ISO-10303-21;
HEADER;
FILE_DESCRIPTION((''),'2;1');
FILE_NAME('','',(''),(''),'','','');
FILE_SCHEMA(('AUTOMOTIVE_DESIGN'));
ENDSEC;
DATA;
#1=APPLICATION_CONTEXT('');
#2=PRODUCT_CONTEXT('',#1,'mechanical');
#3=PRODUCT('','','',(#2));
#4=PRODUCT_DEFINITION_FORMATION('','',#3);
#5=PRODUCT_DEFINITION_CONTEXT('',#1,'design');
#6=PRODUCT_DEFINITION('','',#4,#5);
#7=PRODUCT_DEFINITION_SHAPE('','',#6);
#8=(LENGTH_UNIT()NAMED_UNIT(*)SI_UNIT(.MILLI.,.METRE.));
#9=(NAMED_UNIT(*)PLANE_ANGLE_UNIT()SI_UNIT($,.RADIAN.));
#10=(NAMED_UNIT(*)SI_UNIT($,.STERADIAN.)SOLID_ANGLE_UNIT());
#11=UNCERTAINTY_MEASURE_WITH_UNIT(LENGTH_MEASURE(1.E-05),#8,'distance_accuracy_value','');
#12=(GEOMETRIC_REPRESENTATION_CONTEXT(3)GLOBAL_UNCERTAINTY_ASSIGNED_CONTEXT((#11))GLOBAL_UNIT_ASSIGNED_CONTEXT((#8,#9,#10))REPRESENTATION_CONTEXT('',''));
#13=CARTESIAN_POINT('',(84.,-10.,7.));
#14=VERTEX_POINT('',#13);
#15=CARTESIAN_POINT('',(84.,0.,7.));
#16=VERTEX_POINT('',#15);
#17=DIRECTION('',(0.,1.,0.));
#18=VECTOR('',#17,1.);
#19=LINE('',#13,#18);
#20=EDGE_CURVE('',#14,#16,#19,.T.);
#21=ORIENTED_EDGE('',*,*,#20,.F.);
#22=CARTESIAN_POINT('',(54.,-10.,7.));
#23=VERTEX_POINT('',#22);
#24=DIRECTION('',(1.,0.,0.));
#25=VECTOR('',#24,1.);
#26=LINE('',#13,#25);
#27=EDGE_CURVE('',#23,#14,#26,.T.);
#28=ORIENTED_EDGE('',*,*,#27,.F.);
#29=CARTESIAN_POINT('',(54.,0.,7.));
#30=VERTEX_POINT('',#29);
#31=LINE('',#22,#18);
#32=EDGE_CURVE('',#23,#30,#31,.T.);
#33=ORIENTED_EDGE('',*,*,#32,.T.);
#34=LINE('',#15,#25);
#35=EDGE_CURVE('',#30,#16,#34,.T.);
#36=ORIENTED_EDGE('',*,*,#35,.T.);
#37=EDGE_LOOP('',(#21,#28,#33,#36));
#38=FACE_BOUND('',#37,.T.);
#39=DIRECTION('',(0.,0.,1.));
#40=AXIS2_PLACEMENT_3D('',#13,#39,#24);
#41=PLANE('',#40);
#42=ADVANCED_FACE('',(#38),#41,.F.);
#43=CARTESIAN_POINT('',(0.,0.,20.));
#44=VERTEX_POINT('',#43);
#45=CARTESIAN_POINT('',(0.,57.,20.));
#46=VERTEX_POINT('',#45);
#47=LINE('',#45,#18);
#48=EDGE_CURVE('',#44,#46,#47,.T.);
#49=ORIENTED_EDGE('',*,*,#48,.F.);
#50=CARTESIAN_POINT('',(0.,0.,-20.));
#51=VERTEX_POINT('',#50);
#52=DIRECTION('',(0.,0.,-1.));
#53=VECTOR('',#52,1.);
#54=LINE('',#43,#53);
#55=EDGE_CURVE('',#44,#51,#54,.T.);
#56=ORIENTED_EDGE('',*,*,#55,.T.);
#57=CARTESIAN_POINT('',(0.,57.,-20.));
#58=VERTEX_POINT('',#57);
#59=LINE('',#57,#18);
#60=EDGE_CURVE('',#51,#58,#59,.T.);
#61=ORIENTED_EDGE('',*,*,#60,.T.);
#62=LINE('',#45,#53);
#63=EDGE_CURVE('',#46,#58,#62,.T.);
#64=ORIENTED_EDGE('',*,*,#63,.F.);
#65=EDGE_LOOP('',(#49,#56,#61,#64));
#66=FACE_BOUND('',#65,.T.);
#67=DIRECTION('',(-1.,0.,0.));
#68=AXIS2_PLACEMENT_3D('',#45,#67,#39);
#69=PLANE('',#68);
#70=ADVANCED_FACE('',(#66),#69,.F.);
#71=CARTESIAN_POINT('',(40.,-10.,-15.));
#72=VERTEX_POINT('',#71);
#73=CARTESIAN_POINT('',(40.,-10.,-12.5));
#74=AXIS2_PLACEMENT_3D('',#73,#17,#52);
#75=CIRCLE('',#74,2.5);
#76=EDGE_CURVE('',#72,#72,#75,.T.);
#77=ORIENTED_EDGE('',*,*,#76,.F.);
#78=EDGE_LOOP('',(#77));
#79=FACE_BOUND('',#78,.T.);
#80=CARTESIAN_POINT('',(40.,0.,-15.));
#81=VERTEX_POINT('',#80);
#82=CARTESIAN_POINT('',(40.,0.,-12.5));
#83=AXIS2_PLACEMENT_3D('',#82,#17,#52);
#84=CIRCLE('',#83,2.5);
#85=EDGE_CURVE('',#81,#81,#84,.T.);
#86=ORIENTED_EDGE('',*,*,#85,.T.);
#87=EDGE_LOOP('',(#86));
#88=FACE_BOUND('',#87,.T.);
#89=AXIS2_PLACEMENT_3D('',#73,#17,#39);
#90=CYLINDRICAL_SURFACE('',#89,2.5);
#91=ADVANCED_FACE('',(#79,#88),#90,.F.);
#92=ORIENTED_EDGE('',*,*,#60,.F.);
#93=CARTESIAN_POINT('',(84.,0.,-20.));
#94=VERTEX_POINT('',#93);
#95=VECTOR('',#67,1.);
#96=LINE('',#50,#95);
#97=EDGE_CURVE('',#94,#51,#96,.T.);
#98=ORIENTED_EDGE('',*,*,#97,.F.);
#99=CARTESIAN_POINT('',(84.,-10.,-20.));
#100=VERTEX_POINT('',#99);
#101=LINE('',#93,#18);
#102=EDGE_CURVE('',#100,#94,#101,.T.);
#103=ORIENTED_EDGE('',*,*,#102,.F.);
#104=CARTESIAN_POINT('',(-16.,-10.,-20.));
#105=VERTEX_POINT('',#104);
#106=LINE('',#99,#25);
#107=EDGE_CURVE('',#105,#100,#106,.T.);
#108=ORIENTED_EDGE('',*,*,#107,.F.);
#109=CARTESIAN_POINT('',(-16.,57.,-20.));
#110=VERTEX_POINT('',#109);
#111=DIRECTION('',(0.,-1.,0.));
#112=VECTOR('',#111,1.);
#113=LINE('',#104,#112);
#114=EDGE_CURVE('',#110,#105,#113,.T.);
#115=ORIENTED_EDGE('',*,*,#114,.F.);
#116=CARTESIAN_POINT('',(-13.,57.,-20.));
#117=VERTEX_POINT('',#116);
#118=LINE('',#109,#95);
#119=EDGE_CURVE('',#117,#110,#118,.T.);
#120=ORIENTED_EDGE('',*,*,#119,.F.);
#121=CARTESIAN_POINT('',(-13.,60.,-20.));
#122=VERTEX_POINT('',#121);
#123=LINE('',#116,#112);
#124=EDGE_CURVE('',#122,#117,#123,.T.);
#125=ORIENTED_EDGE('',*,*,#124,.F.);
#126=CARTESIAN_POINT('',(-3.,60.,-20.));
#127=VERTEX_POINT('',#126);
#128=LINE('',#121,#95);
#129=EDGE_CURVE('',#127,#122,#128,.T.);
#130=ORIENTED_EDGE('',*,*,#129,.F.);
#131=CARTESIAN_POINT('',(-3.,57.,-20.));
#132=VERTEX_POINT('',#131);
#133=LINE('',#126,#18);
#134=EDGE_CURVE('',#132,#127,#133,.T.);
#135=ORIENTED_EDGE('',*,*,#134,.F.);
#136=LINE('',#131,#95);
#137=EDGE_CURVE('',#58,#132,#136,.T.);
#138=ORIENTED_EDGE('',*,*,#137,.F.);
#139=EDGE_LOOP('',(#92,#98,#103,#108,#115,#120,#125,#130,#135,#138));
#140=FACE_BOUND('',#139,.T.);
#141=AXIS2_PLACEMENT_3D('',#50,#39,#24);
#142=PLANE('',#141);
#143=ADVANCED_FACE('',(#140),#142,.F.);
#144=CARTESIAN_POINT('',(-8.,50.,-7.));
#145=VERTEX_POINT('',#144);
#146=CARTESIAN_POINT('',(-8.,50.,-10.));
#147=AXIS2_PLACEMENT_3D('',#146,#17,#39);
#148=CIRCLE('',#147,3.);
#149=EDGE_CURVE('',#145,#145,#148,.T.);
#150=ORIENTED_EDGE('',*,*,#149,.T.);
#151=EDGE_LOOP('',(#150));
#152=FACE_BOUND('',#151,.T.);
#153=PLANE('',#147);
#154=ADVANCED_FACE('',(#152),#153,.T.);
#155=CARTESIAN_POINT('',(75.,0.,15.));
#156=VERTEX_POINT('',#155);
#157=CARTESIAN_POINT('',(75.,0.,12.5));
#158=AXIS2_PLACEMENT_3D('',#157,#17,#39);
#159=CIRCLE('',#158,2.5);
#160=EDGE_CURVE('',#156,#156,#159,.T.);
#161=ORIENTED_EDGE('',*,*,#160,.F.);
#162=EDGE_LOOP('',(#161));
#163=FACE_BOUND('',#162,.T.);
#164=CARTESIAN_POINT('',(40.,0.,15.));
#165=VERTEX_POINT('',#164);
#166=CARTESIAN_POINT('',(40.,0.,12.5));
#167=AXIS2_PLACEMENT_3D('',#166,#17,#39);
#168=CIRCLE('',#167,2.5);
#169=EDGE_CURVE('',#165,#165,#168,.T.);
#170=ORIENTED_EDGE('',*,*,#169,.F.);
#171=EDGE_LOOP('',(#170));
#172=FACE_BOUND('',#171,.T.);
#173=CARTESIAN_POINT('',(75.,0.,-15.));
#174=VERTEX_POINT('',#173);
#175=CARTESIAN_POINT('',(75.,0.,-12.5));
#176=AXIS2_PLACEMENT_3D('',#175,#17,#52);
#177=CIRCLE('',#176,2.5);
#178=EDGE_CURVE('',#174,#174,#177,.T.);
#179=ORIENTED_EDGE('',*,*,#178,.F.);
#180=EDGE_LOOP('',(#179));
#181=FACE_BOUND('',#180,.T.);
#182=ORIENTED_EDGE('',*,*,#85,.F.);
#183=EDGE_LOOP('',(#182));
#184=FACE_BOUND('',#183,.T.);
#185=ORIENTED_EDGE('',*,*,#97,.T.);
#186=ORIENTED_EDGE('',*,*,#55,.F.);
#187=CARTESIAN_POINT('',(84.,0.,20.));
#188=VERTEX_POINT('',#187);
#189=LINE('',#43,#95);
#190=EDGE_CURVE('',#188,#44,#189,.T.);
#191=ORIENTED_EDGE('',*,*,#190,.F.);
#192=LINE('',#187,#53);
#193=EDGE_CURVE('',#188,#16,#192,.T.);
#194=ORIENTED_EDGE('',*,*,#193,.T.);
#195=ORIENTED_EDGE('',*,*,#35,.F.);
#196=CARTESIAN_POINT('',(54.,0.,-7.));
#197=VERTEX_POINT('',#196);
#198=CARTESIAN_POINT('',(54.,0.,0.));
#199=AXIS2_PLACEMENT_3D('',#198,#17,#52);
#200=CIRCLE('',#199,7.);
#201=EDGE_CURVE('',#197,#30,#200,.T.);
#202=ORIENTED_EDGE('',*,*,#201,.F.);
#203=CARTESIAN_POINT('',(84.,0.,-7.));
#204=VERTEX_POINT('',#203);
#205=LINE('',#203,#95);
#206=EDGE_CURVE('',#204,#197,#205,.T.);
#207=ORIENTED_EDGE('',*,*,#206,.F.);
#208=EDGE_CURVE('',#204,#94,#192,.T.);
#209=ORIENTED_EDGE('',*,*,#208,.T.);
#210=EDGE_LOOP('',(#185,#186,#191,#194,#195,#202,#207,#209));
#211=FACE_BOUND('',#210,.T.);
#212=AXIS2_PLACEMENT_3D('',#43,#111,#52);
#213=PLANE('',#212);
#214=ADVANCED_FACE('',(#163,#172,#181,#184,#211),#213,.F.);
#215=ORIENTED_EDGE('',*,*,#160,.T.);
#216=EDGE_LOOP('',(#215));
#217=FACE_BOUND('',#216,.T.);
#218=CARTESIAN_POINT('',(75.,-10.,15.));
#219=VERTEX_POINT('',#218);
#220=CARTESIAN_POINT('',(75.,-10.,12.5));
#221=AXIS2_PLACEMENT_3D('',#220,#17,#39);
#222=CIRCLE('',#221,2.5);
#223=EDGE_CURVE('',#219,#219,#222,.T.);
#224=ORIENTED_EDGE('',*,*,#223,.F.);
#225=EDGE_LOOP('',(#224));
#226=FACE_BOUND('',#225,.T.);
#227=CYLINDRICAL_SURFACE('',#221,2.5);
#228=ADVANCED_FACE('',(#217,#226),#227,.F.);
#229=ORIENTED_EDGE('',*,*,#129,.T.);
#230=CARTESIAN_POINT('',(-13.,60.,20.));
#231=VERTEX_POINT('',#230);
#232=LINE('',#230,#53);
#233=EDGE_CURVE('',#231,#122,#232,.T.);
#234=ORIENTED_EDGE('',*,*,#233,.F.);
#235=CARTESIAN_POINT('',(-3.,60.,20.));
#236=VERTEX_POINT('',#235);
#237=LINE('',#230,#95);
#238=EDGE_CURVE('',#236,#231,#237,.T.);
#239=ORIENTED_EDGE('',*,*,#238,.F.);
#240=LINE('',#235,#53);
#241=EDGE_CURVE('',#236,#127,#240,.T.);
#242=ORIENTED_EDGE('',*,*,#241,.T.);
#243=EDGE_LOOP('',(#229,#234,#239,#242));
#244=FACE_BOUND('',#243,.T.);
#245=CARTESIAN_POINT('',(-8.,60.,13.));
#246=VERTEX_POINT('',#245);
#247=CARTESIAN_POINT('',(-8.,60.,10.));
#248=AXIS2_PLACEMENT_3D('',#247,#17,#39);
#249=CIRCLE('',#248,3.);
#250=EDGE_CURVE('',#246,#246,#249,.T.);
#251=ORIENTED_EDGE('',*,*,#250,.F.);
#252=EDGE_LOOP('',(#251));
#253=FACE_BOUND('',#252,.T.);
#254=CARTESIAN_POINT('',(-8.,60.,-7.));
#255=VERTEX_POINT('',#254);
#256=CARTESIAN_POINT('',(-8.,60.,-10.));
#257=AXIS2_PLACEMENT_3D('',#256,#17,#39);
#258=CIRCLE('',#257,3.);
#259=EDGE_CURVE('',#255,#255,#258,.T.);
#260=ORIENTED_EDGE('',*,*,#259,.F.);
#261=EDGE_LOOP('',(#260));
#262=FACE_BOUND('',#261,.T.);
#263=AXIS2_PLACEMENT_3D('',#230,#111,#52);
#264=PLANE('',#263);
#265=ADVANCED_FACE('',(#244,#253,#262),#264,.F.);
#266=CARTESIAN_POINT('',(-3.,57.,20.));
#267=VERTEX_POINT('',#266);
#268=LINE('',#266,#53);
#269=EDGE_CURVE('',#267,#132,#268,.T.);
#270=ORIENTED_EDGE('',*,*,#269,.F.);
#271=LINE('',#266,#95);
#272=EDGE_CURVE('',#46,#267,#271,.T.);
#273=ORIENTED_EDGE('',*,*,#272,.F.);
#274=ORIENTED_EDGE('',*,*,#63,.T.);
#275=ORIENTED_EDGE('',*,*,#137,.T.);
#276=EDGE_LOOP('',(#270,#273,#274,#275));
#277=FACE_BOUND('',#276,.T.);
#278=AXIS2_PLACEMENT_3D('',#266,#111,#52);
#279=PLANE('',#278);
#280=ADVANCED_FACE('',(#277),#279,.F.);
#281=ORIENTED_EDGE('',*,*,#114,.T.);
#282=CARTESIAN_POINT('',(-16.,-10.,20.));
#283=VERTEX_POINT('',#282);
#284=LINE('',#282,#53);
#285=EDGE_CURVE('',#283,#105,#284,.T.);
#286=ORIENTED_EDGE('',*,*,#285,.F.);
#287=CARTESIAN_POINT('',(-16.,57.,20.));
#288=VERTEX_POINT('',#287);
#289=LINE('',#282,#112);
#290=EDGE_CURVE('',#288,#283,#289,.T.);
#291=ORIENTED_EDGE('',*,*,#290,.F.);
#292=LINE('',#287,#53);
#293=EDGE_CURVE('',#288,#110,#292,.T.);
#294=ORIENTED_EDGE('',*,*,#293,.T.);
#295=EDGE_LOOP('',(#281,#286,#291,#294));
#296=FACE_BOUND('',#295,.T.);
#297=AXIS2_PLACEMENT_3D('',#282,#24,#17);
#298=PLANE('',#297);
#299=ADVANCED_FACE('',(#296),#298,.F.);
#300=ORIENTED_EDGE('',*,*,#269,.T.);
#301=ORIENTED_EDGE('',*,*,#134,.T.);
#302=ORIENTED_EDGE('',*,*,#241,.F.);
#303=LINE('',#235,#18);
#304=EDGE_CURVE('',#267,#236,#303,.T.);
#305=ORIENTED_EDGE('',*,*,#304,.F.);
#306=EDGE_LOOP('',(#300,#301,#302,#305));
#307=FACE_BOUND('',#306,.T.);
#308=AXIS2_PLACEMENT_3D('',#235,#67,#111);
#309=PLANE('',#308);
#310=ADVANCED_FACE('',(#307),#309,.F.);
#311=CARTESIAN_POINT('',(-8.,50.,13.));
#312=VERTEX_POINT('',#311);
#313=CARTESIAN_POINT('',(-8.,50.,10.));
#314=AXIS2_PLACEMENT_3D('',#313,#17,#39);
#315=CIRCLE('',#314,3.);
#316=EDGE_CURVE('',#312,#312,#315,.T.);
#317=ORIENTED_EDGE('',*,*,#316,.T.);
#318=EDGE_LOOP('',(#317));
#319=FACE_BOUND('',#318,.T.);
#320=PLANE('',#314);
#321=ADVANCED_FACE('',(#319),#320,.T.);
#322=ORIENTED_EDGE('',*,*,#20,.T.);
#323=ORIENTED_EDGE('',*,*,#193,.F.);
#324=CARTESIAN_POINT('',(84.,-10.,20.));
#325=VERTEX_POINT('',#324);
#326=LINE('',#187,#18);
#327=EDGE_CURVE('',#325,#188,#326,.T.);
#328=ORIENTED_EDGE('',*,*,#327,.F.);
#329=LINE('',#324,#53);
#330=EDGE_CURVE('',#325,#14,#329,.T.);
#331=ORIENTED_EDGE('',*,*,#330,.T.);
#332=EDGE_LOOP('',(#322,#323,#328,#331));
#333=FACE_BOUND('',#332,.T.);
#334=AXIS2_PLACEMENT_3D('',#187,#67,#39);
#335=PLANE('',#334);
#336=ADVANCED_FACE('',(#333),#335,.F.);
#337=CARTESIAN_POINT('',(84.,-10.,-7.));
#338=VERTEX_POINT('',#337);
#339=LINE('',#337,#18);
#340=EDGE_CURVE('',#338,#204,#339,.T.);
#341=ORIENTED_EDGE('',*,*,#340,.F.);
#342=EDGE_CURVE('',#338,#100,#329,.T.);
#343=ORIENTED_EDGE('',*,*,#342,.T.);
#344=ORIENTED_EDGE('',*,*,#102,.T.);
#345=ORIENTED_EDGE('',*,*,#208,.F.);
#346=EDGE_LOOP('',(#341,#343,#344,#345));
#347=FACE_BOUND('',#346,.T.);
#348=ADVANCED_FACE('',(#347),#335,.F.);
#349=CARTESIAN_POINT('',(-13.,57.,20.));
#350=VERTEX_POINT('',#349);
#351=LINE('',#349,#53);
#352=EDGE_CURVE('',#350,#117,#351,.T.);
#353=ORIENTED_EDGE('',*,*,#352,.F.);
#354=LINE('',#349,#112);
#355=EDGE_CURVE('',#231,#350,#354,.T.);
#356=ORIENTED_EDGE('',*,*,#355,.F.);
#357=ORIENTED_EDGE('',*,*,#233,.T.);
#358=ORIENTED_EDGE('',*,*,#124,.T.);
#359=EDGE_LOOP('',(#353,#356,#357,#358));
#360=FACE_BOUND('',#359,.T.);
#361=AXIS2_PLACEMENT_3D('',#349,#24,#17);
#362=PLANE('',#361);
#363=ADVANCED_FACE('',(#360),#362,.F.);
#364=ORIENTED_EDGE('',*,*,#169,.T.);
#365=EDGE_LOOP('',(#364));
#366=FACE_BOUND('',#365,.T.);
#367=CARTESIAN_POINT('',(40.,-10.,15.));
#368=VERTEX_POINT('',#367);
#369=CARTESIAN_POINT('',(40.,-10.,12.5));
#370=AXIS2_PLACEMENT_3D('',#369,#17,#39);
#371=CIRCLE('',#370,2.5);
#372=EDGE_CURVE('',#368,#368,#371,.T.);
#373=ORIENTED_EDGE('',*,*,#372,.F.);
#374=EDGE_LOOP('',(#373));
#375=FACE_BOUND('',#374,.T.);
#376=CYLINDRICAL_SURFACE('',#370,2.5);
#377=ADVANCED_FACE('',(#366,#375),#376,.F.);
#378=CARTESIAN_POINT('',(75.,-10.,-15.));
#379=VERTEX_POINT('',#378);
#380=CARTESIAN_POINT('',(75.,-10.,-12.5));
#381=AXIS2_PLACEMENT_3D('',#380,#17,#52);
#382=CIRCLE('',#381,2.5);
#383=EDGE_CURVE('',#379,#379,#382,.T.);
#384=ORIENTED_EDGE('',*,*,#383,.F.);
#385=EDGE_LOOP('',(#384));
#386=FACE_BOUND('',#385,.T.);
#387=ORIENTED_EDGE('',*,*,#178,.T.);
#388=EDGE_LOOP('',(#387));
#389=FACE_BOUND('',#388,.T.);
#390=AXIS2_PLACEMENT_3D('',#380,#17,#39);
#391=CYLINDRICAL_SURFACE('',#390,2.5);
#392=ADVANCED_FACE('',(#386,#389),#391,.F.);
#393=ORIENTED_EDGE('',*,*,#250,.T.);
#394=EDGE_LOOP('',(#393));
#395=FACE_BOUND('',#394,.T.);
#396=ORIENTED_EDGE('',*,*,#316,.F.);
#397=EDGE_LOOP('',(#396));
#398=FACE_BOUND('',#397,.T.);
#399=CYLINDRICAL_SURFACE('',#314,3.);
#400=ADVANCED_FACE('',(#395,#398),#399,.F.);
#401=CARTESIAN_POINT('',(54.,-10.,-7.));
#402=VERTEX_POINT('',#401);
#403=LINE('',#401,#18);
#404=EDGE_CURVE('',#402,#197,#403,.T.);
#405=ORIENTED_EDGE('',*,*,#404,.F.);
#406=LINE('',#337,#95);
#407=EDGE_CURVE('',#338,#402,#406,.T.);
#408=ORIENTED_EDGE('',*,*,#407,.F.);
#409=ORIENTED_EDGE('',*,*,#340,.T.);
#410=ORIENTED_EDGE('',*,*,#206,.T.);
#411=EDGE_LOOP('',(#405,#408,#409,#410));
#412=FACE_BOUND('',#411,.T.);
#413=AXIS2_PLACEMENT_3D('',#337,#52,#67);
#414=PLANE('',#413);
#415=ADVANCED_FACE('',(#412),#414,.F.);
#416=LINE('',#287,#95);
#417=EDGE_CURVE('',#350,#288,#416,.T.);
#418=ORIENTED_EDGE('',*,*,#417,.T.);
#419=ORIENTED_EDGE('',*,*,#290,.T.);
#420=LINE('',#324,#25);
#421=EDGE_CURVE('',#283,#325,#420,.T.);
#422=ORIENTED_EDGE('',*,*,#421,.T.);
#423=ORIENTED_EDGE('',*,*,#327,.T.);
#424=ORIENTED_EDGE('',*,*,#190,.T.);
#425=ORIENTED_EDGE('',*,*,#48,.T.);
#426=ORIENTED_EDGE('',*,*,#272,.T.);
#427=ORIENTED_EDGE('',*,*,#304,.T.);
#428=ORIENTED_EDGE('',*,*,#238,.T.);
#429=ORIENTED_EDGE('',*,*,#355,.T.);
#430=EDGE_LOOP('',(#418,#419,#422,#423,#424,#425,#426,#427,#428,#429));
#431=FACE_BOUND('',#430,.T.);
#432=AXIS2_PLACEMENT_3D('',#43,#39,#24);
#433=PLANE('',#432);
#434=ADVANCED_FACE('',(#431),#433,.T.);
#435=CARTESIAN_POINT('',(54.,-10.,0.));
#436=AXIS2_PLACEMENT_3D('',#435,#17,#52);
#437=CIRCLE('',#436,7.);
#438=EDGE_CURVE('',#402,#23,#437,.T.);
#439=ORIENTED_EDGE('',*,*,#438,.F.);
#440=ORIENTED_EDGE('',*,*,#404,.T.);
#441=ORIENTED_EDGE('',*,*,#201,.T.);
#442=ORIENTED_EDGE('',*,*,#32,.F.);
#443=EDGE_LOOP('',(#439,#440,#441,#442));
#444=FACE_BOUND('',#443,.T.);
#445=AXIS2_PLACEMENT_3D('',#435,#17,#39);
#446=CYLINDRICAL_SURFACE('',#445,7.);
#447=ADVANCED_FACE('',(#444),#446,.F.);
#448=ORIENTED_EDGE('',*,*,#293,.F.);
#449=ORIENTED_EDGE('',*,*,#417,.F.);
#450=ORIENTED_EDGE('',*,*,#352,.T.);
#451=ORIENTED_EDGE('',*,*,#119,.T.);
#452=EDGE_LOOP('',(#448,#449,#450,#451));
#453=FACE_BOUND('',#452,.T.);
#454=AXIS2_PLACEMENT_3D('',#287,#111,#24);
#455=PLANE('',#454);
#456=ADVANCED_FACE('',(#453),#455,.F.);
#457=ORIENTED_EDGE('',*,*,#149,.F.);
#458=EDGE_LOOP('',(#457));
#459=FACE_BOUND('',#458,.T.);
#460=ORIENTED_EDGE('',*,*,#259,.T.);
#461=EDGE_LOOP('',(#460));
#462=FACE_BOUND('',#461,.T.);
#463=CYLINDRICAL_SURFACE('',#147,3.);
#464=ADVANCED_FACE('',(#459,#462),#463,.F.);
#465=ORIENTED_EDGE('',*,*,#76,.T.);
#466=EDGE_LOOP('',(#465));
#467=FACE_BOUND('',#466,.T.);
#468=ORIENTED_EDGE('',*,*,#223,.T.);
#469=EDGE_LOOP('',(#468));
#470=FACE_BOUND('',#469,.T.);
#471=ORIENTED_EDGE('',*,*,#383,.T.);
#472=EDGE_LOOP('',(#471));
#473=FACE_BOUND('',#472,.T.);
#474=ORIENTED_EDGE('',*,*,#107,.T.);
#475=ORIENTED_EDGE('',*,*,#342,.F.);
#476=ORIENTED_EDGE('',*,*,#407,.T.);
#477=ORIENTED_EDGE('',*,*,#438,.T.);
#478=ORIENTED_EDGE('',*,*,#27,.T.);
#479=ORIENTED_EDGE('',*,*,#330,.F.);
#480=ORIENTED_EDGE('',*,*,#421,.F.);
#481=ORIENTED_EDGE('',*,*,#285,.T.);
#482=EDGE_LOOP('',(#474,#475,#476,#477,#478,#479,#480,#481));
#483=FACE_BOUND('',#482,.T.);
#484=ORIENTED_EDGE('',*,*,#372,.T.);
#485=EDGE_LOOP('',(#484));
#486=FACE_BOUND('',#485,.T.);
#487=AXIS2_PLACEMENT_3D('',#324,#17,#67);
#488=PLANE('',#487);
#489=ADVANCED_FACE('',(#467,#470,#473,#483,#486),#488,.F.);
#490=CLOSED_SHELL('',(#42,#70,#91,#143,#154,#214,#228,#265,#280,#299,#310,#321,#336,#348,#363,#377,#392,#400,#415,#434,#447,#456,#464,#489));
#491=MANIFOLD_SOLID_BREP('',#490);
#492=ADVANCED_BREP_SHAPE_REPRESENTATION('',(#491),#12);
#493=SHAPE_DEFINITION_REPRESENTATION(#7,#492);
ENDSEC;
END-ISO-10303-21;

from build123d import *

# Parameters (mm, degrees)
EXTRUDE_1_DEPTH     = 20
SKETCH_4_R          = 3
CUT_EXTRUDE_1_DEPTH = 10
SKETCH_5_R          = 2.5
CUT_EXTRUDE_2_DEPTH = 11


with BuildPart() as part:
    # 草圖1 → 填料-伸長1 (new body, symmetric)
    with BuildSketch(Plane.XY):
        Polygon((0, 0), (84, 0), (84, -10), (-16, -10), (-16, 57), (-13, 57), (-13, 60), (-3, 60), (-3, 57), (0, 57), align=None)
    extrude(amount=EXTRUDE_1_DEPTH, both=True)

    # 草圖4 → 除料-伸長1 (cut)
    with BuildSketch(Plane(origin=(0, 60, 0), x_dir=(1, 0, 0), z_dir=(0, 1, 0))):
        with Locations((-8, 10)):
            Circle(SKETCH_4_R)
        with Locations((-8, -10)):
            Circle(SKETCH_4_R)
    extrude(amount=-CUT_EXTRUDE_1_DEPTH, mode=Mode.SUBTRACT)

    # 草圖5 → 除料-伸長2 (cut, through all)
    with BuildSketch(Plane(origin=(0, 0, 0), x_dir=(1, 0, 0), z_dir=(0, 1, 0))):
        with Locations((40, -12.5)):
            Circle(SKETCH_5_R)
        with Locations((40, 12.5)):
            Circle(SKETCH_5_R)
        with Locations((75, 12.5)):
            Circle(SKETCH_5_R)
        with Locations((75, -12.5)):
            Circle(SKETCH_5_R)
        with BuildLine():
            Line((84, 7), (54, 7))
            ThreePointArc((54, 7), (47, 0), (54, -7))
            Line((54, -7), (84, -7))
            Line((84, -7), (84, 7))
        make_face()
    extrude(amount=-CUT_EXTRUDE_2_DEPTH, mode=Mode.SUBTRACT)


solid = part.part
